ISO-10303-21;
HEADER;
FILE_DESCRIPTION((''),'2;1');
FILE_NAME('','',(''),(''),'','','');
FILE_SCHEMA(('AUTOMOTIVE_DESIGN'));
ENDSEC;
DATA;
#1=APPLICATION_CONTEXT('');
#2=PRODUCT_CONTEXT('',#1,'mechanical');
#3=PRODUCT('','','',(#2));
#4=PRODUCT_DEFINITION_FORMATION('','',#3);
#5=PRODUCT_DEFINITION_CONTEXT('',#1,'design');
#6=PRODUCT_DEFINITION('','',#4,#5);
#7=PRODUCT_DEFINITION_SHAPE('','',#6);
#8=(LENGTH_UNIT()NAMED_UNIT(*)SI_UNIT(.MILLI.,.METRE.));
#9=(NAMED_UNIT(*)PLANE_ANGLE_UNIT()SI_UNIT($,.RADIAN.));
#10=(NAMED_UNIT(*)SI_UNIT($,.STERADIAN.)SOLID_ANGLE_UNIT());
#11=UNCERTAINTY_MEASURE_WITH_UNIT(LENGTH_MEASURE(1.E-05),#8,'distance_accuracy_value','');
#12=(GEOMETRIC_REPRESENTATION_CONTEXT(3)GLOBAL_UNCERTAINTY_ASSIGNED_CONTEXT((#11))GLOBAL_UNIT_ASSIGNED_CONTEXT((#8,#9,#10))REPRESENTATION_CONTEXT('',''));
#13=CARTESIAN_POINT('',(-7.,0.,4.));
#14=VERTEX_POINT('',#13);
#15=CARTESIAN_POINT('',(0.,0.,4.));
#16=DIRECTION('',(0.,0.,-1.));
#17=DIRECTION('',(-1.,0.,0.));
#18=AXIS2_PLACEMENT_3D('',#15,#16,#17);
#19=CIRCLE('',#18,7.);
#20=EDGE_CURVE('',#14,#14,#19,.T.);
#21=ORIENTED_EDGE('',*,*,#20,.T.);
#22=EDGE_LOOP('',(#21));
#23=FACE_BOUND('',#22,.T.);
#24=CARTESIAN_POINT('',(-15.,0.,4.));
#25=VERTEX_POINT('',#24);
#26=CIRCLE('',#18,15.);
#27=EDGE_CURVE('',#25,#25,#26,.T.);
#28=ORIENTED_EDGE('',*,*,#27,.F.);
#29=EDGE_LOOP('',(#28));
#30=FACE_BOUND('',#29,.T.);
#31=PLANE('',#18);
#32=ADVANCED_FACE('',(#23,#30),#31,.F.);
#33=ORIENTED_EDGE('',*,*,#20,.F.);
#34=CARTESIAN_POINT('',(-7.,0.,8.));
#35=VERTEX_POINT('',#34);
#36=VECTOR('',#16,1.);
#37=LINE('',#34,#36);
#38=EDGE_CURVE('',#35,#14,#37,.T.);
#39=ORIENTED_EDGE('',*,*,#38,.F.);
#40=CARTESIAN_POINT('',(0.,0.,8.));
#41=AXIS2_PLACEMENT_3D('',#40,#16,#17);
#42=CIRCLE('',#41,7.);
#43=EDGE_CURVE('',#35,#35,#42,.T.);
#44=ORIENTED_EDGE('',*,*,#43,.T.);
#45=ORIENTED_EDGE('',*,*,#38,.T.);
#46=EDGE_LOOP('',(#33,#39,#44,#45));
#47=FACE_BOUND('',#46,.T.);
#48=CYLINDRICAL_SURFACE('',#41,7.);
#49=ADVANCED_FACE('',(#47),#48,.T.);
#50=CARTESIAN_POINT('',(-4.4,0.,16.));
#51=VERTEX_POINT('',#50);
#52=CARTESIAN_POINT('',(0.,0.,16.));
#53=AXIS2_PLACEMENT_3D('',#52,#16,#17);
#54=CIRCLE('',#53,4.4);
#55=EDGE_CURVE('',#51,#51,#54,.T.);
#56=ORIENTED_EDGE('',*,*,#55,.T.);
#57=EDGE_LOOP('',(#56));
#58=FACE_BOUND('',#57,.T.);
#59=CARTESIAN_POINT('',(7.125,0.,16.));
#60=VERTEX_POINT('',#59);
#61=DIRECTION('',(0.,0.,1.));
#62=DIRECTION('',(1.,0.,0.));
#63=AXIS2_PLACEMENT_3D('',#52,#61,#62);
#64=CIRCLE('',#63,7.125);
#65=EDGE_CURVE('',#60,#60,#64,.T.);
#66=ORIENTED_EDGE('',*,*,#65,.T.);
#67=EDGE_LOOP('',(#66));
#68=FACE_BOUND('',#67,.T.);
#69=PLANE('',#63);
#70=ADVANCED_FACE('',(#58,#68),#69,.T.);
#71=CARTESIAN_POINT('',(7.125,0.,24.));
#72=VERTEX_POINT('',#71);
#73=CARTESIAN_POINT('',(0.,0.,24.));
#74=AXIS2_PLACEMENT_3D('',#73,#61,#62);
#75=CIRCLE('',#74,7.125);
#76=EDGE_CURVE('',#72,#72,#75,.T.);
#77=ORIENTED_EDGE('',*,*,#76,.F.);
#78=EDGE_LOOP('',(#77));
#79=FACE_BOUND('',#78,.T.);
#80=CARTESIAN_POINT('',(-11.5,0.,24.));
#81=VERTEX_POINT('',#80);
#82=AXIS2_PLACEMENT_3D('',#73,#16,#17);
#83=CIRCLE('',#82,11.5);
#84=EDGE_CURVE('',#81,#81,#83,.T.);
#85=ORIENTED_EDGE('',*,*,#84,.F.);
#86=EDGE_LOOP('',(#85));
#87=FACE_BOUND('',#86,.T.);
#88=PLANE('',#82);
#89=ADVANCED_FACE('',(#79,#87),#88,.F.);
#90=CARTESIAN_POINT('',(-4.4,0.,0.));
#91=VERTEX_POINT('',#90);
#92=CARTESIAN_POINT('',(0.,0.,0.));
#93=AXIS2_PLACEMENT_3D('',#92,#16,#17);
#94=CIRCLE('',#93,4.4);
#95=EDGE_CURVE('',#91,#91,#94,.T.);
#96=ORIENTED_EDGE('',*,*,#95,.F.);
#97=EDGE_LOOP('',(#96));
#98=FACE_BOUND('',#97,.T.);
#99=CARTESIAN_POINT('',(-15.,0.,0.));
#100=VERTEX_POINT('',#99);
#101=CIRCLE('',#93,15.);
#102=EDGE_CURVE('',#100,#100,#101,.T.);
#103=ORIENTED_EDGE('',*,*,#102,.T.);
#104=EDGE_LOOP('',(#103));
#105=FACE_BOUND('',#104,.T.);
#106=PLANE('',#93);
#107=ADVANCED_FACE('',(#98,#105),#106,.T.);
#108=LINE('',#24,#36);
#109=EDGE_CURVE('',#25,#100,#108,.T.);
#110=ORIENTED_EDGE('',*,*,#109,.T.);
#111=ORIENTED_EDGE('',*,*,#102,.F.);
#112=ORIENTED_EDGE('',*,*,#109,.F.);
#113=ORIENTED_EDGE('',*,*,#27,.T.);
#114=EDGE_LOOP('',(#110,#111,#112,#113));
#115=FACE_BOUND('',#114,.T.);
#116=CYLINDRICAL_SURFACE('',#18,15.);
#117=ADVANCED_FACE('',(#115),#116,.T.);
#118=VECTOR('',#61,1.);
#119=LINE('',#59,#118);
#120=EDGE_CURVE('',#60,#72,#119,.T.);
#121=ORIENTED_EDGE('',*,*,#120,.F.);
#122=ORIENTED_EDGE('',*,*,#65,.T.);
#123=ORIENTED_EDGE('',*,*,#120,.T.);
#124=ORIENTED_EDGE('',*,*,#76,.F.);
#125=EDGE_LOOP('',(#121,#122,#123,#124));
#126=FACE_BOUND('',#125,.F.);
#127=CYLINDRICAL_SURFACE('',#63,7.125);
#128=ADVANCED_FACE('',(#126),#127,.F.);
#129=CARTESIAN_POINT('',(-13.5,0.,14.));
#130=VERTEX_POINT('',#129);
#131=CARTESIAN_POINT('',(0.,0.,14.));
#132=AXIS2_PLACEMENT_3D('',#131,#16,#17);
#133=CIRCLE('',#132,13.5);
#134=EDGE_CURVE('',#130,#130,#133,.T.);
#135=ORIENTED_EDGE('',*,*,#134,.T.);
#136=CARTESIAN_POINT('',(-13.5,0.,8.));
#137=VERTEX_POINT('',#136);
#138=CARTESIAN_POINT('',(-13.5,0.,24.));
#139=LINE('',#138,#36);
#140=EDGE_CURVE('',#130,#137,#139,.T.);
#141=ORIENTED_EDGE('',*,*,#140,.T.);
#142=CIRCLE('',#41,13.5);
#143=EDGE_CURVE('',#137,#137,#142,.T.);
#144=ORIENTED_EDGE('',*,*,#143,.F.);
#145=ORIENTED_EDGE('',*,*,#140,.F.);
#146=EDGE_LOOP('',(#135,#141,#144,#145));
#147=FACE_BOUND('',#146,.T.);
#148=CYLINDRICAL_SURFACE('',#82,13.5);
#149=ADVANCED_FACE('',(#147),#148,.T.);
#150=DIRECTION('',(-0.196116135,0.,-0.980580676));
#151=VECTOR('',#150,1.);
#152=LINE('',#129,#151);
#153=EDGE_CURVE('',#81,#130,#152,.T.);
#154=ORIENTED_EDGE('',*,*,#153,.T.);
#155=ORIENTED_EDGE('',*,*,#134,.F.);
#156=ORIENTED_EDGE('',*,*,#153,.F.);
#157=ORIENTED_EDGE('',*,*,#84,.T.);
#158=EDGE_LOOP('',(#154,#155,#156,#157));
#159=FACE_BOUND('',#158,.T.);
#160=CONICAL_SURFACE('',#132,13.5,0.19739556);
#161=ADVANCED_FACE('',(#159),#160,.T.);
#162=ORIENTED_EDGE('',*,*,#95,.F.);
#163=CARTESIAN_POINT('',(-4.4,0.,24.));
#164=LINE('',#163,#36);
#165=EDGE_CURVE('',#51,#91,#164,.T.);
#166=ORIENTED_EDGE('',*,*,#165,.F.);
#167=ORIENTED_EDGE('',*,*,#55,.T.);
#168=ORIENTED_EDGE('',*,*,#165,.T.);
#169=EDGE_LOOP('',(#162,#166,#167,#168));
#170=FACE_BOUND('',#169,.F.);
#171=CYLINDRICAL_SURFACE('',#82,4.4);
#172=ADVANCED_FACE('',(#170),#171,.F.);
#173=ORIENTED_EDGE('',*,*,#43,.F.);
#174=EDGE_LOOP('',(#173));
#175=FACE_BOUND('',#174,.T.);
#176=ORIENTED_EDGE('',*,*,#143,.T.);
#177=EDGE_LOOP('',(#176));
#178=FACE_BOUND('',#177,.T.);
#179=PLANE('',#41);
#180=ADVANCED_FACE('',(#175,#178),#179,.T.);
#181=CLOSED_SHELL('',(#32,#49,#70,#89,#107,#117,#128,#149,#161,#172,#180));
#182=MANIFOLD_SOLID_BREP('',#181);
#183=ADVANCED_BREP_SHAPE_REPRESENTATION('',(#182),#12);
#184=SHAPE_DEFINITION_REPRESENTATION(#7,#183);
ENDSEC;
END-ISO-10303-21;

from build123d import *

# Parameters (mm, degrees)
F2_SIZE2       = 10
F2_SIZE        = 2
F4_D           = 8.8
F4_CBORE_D     = 14.25
F4_CBORE_DEPTH = 8


with BuildPart() as f1:
    # F0 (on Front) → F1 (revolve)
    with BuildSketch(Plane.XZ):
        Polygon((-15, 0), (0, 0), (0, 24), (-13.5, 24), (-13.5, 8), (-7, 8), (-7, 4), (-15, 4), align=None)
    revolve(axis=Axis((0, 0, 12), (0, 0, -1)))

    # F2
    f2_edges = [f1.edges().sort_by_distance(p)[0] for p in [
        (13.5, 0, 24),
    ]]
    chamfer(f2_edges, length=F2_SIZE, length2=F2_SIZE2)

    # F4 (through all)
    with Locations(Plane.XY.offset(24)):
        with Locations((0, 0)):
            CounterBoreHole(F4_D / 2, F4_CBORE_D / 2, F4_CBORE_DEPTH)


solid = f1.part
